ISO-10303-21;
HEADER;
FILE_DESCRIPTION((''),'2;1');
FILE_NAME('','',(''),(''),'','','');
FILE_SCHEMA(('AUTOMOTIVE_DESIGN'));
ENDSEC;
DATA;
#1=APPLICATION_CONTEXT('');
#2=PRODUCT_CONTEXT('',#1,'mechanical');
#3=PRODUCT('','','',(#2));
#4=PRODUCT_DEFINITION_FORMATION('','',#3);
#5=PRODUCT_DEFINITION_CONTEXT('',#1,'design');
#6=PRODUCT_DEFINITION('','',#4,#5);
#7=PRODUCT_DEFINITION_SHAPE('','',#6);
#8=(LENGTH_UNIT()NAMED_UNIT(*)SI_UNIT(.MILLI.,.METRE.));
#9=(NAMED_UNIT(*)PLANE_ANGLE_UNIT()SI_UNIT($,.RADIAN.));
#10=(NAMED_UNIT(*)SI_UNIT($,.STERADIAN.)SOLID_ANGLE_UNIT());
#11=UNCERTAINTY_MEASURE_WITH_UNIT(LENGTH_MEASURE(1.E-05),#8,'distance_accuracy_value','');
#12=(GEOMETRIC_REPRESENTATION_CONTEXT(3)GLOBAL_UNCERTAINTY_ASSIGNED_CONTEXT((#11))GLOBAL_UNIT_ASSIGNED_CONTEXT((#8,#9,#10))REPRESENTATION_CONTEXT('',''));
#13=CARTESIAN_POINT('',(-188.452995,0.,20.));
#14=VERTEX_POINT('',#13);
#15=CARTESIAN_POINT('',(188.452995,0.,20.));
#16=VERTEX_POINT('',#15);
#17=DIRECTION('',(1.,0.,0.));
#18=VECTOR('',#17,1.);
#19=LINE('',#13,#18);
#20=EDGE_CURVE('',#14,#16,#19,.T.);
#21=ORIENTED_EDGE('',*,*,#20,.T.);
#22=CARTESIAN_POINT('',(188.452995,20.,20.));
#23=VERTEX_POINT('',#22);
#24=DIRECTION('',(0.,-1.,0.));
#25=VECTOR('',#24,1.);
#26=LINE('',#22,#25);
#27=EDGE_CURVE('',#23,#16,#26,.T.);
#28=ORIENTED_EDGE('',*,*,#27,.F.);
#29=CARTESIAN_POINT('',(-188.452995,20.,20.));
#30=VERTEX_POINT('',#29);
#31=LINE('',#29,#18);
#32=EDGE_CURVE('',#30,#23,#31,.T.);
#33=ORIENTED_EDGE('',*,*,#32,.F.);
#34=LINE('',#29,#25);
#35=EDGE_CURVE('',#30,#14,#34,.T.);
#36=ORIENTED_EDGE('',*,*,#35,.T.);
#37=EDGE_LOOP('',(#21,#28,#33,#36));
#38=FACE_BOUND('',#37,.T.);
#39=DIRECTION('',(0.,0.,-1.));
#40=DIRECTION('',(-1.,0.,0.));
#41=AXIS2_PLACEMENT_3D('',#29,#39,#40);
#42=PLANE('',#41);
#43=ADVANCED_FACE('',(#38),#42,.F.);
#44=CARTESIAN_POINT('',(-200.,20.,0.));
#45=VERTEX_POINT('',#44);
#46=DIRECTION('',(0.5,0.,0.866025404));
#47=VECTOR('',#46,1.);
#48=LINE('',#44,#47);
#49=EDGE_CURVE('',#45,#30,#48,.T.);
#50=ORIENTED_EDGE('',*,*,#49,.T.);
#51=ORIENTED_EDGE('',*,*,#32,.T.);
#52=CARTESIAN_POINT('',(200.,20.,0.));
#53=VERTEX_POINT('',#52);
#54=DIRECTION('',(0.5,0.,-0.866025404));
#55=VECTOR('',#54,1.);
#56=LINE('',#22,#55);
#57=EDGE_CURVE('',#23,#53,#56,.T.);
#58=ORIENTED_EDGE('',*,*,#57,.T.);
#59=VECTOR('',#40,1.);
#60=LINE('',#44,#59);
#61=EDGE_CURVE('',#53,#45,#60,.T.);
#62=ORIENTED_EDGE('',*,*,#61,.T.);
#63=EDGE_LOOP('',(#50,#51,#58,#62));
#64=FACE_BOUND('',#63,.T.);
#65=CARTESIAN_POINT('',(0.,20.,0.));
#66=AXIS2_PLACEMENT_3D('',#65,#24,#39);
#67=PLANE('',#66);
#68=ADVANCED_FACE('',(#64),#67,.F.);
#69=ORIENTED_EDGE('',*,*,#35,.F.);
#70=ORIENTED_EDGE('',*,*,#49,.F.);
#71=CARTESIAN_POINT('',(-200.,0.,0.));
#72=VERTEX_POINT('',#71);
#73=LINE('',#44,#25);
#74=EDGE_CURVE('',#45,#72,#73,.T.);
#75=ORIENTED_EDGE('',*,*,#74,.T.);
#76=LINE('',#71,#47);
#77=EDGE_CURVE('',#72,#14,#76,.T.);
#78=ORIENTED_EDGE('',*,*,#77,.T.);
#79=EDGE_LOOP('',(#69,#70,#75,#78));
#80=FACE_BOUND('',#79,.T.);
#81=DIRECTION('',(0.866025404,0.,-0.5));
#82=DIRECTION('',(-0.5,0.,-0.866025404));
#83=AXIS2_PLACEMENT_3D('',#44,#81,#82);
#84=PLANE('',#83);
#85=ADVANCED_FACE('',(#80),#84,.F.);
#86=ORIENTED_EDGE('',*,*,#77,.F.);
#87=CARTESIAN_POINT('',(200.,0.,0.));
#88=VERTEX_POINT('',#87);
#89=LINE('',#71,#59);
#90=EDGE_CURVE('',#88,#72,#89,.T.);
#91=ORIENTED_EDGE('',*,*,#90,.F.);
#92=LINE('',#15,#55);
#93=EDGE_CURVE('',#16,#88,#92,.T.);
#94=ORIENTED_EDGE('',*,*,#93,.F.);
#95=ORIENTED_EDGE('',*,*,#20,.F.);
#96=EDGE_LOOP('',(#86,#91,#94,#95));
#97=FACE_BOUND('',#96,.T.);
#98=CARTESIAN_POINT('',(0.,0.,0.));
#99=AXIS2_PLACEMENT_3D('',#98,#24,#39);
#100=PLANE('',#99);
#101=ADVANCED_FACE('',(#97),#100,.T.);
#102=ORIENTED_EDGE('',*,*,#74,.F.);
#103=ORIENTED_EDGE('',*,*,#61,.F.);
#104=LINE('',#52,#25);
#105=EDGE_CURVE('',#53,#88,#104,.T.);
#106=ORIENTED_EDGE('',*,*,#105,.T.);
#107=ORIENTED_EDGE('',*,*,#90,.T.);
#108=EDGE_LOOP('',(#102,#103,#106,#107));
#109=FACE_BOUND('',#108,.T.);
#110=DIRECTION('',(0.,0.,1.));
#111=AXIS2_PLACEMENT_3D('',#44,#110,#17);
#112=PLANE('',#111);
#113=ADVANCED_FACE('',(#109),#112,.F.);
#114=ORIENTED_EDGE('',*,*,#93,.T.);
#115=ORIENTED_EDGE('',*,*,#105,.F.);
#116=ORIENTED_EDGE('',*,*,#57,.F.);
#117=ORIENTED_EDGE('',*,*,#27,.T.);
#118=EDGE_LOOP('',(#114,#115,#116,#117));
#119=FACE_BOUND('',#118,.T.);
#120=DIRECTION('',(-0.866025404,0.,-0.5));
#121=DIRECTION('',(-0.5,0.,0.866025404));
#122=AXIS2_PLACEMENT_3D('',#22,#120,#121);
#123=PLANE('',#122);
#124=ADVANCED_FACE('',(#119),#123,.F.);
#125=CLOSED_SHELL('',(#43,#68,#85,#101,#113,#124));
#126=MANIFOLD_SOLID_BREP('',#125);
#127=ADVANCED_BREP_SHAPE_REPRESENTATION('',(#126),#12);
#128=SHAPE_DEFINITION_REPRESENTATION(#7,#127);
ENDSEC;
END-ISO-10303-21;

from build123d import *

# Parameters (mm, degrees)
BOSS_EXTRUDE1_DEPTH = 20


with BuildPart() as part:
    # Sketch1 → Boss-Extrude1 (new body)
    with BuildSketch(Plane(origin=(0, 0, 0), x_dir=(1, 0, 0), z_dir=(0, 1, 0))):
        Polygon((-200, 0), (200, 0), (188.452994616, -20), (-188.452994616, -20), align=None)
    extrude(amount=BOSS_EXTRUDE1_DEPTH)


solid = part.part
